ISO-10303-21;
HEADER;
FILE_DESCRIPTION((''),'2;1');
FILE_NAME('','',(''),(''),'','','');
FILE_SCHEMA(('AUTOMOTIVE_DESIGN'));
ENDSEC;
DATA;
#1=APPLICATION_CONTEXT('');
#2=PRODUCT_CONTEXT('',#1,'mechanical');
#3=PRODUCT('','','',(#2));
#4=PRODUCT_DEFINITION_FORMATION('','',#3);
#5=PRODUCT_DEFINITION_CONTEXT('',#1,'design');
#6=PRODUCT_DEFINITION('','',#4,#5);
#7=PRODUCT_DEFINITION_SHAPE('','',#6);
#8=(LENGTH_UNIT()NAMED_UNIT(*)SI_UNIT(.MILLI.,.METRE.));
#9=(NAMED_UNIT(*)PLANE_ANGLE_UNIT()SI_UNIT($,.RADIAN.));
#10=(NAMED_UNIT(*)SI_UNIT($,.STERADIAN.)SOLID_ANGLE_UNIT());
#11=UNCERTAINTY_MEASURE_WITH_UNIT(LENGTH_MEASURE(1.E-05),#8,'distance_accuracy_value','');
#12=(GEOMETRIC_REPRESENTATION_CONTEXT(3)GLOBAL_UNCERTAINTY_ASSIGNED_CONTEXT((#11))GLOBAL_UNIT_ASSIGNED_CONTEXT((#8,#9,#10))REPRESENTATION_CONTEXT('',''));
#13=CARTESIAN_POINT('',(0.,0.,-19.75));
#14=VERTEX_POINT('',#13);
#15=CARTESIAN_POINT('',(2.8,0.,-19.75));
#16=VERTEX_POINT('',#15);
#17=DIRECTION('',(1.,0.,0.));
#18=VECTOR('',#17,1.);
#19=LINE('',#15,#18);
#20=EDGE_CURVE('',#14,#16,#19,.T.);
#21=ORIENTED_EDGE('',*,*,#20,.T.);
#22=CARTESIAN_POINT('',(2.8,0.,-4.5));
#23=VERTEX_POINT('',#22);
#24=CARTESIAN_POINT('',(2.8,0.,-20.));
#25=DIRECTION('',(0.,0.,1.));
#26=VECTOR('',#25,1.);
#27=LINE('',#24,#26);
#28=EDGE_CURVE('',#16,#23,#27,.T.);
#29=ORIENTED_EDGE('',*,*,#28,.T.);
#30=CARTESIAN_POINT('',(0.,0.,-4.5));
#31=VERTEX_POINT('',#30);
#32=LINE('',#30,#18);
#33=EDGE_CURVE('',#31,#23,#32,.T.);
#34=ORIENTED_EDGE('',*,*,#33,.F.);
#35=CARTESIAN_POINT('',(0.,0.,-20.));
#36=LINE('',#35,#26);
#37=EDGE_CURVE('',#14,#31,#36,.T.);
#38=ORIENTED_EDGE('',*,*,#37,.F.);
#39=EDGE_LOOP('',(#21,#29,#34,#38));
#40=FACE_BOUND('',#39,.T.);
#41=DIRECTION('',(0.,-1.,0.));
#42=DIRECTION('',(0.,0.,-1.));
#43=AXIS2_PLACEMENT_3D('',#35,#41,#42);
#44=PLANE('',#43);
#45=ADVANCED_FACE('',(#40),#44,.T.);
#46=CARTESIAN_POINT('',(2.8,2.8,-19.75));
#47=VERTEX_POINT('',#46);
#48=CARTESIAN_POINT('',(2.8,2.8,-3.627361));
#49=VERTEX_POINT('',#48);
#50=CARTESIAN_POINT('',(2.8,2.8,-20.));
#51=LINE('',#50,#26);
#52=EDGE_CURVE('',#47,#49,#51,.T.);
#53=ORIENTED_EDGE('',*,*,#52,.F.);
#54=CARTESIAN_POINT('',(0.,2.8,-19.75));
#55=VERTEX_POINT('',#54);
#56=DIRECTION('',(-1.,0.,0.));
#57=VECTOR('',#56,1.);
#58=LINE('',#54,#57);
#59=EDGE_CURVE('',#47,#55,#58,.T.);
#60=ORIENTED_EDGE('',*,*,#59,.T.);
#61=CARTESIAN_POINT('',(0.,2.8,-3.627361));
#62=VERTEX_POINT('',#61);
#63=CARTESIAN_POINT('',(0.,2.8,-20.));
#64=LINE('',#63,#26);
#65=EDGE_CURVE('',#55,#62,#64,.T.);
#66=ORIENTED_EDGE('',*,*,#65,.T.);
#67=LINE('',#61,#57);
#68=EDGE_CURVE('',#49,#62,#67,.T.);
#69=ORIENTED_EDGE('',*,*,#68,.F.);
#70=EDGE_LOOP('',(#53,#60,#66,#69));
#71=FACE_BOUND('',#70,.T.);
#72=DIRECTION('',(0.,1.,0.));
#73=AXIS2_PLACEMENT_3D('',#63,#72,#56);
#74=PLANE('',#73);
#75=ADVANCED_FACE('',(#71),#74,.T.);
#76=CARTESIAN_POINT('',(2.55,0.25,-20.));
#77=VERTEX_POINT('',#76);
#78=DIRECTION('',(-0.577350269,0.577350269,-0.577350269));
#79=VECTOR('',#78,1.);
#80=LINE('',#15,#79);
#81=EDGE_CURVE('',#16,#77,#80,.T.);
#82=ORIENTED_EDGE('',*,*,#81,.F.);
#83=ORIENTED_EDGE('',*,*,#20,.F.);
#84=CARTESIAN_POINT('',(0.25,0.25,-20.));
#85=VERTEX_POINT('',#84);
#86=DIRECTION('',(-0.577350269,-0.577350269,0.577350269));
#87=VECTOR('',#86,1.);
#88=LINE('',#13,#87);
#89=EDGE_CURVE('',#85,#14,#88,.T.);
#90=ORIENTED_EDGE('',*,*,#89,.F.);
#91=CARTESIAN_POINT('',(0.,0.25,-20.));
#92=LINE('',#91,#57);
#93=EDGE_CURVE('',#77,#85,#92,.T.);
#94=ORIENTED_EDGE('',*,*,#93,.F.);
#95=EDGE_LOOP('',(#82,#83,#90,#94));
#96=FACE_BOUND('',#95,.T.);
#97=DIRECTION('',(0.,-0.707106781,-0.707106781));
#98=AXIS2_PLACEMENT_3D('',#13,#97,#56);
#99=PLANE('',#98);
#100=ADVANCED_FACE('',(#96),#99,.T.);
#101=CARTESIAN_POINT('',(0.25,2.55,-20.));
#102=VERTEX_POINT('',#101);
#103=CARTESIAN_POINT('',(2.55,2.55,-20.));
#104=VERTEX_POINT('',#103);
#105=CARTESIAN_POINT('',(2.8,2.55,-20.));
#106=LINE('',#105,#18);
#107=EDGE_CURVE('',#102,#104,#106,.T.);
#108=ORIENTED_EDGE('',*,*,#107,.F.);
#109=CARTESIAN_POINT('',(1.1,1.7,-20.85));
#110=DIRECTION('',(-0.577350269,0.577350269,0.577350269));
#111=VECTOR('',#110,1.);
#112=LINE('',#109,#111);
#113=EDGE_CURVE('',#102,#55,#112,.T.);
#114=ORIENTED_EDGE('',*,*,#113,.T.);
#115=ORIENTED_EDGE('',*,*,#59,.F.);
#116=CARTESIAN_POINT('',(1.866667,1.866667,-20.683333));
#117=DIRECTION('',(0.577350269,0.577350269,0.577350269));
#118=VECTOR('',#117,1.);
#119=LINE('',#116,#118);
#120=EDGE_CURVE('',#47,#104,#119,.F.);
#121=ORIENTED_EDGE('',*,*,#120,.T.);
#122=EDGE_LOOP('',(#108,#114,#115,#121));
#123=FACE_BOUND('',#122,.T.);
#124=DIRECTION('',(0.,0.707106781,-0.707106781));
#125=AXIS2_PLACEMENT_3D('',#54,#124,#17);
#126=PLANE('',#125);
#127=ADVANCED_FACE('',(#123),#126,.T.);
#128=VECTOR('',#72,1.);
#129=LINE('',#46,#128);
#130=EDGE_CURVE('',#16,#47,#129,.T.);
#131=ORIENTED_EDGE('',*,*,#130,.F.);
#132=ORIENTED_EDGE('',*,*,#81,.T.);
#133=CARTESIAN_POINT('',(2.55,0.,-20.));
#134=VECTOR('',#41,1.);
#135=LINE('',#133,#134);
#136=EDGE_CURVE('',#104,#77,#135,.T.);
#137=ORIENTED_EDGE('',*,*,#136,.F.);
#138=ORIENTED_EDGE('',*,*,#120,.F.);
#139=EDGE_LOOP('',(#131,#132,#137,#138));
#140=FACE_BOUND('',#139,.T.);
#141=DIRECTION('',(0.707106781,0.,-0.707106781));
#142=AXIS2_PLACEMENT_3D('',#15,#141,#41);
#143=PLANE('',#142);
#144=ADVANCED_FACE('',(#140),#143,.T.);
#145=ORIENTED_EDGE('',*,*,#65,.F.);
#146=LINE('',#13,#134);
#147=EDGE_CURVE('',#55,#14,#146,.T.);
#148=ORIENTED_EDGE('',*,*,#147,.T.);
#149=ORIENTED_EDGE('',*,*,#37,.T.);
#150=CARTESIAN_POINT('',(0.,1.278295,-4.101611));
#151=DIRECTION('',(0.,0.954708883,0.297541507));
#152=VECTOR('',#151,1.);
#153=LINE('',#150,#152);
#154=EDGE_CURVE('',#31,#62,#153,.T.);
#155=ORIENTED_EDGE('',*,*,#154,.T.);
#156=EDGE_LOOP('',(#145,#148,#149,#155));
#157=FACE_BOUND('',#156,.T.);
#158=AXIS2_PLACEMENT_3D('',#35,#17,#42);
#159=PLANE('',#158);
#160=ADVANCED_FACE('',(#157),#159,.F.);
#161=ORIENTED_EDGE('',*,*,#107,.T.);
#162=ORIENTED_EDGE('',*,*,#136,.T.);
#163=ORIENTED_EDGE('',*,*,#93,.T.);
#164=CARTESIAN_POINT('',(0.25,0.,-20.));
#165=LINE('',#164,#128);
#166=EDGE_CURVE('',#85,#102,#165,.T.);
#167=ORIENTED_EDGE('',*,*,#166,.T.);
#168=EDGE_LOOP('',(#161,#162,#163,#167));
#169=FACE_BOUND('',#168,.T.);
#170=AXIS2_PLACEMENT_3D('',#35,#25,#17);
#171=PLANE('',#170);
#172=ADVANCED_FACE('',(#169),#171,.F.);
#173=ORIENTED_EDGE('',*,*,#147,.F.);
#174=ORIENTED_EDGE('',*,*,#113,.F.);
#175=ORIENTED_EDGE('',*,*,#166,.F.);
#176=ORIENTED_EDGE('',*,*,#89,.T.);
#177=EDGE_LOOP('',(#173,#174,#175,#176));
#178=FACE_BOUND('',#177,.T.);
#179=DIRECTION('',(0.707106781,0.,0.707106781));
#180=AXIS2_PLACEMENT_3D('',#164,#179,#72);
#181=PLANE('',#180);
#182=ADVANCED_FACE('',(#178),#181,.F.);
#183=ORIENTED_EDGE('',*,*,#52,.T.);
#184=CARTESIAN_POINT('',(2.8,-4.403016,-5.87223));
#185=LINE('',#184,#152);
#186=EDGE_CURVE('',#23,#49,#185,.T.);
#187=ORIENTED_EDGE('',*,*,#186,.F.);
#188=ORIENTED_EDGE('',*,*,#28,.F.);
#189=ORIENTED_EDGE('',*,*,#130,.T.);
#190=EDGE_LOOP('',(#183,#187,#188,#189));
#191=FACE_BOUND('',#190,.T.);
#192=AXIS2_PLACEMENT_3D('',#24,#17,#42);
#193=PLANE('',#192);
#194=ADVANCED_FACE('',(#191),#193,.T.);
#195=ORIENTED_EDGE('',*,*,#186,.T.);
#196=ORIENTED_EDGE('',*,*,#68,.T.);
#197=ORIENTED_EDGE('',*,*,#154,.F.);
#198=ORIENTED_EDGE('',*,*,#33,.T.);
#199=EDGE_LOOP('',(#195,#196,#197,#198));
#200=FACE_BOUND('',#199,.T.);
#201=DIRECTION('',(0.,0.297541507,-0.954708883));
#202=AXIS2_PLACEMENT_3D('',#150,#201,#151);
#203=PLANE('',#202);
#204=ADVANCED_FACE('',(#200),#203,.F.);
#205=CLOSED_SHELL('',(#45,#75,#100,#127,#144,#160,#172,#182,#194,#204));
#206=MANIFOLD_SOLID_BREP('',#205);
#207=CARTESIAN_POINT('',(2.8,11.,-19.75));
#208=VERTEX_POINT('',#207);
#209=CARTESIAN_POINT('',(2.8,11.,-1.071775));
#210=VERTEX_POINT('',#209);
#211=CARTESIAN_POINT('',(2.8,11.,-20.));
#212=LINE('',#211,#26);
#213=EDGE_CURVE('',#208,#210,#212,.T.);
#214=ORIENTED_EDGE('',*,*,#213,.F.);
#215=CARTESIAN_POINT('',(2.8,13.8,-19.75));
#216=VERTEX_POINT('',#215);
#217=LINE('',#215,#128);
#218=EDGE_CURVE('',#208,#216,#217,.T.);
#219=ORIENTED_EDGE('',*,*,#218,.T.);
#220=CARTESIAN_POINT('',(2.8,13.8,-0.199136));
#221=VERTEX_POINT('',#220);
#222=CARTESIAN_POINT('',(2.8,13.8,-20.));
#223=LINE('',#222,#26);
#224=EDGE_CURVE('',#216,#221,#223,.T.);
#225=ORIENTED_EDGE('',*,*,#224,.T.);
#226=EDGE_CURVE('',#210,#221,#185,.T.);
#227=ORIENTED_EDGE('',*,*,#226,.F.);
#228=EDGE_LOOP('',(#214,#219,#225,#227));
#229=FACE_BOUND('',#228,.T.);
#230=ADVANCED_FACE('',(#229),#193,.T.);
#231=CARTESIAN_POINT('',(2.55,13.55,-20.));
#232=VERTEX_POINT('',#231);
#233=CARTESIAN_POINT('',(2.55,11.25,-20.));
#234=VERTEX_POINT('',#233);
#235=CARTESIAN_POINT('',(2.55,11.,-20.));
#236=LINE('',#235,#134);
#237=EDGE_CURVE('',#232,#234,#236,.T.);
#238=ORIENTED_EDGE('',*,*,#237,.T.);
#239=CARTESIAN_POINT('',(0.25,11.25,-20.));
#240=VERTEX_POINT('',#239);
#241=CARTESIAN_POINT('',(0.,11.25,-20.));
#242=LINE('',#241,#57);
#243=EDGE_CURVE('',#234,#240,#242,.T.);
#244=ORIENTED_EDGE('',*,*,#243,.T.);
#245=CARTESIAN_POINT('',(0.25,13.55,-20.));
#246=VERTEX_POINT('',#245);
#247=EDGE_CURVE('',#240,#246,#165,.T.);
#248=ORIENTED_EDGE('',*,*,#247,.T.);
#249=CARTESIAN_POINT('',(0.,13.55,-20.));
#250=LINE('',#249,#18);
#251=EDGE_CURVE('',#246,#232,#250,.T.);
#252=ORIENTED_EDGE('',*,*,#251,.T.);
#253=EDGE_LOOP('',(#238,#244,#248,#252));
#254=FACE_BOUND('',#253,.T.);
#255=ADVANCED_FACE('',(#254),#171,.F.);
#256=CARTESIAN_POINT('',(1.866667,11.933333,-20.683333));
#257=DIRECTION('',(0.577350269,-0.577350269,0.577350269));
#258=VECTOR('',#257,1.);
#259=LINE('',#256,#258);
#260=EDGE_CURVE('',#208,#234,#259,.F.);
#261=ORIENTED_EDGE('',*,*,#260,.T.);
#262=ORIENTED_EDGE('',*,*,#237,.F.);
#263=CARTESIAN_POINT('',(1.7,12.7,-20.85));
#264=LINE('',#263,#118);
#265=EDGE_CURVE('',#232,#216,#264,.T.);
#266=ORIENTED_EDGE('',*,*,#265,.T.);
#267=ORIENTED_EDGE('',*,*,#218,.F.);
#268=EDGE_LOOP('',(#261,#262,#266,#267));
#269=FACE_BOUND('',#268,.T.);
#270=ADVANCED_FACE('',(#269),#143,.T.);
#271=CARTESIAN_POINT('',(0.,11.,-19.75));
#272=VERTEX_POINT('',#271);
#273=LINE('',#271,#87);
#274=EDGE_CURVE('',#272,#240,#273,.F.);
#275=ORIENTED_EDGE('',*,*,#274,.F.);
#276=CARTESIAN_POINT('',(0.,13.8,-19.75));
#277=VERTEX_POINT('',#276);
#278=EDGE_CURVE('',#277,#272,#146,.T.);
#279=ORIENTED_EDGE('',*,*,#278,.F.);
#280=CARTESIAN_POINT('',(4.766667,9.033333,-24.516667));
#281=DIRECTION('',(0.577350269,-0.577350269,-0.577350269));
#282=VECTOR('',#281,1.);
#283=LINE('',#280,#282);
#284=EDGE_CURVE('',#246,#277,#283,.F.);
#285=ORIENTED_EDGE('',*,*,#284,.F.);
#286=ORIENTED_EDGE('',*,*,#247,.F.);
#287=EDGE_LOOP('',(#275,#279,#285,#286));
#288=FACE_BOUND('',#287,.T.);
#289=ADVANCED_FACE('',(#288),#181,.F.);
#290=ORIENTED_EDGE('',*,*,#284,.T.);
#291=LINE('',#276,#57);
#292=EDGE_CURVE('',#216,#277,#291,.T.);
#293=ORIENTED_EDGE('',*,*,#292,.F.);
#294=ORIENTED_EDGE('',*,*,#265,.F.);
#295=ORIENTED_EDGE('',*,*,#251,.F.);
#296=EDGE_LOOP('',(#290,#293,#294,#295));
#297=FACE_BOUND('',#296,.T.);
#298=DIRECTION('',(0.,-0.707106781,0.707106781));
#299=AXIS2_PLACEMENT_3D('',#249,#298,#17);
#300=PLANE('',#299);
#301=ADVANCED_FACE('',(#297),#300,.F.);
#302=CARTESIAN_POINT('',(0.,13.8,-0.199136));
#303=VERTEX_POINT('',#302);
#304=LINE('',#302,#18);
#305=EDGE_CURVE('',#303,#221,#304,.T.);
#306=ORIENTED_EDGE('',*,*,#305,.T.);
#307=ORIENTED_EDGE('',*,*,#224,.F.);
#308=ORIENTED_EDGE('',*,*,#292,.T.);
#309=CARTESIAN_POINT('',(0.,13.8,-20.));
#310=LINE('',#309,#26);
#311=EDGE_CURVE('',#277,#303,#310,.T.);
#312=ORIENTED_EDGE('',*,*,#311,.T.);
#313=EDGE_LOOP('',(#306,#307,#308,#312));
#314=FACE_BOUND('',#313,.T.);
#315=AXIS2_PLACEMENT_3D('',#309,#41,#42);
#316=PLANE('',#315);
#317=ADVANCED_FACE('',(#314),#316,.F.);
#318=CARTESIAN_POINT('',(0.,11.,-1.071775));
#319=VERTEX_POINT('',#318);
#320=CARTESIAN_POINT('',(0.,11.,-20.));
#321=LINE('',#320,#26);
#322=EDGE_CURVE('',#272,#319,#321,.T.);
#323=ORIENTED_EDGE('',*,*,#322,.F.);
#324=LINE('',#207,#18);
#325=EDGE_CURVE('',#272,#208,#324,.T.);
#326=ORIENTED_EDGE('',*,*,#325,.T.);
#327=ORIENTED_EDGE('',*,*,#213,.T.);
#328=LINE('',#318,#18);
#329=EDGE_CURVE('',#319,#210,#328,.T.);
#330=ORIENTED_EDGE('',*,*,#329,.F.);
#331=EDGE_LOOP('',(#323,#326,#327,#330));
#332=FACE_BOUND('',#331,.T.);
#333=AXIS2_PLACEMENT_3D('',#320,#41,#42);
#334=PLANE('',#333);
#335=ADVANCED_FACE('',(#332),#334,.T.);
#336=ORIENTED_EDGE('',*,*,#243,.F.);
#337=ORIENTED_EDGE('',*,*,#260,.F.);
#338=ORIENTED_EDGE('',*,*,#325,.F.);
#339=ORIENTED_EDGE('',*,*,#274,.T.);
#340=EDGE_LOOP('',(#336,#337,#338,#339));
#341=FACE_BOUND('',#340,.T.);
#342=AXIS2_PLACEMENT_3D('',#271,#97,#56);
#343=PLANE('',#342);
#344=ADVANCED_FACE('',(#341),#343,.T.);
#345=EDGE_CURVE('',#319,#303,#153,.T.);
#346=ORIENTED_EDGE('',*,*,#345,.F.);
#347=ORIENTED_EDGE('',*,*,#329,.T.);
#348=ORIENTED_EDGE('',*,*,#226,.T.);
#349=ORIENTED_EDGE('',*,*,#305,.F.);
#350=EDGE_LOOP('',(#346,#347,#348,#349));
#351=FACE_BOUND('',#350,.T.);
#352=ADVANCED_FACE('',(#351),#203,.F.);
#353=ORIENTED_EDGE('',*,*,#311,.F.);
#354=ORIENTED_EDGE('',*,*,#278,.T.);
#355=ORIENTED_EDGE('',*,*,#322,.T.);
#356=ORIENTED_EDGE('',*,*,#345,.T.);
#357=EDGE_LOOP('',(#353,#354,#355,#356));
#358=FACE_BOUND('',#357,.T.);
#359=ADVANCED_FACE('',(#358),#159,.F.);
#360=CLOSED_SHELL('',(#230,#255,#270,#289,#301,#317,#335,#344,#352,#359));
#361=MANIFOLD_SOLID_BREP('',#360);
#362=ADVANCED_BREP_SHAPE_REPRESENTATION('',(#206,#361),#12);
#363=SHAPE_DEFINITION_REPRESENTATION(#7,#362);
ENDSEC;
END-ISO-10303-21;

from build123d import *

# Parameters (mm, degrees)
SKETCH1_W               = 2.8
SKETCH1_H               = 2.8
BOSS_EXTRUDE1_DEPTH     = 20
BOSS_EXTRUDE1_2_DEPTH   = 20
CUT_EXTRUDE1_DEPTH      = 25.459762877
CUT_EXTRUDE1_DEPTH_BACK = 25.459762877
CHAMFER1_SIZE           = 0.25
CHAMFER2_SIZE           = 0.25


with BuildPart() as part:
    # Sketch1 → Boss-Extrude1 (new body)
    with BuildSketch(Plane.XY):
        with Locations((1.4, 12.4)):
            Rectangle(SKETCH1_W, SKETCH1_H)
    extrude(amount=-BOSS_EXTRUDE1_DEPTH)


with BuildPart() as body_2:
    # Sketch1 → Boss-Extrude1 2 (new body)
    with BuildSketch(Plane.XY):
        with Locations((1.4, 1.4)):
            Rectangle(SKETCH1_W, SKETCH1_H)
    extrude(amount=-BOSS_EXTRUDE1_2_DEPTH)


with BuildPart() as cut_extrude1_tool:
    # Sketch2 → Cut-Extrude1 (new, two sides: drawn at the far end of the back side and taken through both)
    with BuildSketch(Plane(origin=(2.8, 0, 0), x_dir=(0, 0, -1), z_dir=(1, 0, 0)).offset(-CUT_EXTRUDE1_DEPTH_BACK)):
        Polygon((0, 2.8), (3.627360986, 2.8), (-1.733135817, 20), (-2.733135817, 20), (-2.733135817, 0), (0, 0), align=None)
        Polygon((5.123313582, -2), (4.5, 0), (0, 0), (-2.733135817, 0), (-2.733135817, -2), align=None)
        Polygon((0, 0), (4.5, 0), (3.627360986, 2.8), (0, 2.8), align=None)
    extrude(amount=CUT_EXTRUDE1_DEPTH + CUT_EXTRUDE1_DEPTH_BACK)


with BuildPart() as part_1:
    add(part.part)

    # Cut-Extrude1: cut by cut_extrude1_tool
    add(cut_extrude1_tool.part, mode=Mode.SUBTRACT)

    # Chamfer2
    chamfer2_edges = [part_1.edges().sort_by_distance(p)[0] for p in [
        (2.8, 12.4, -20),
        (1.4, 13.8, -20),
        (0, 12.4, -20),
        (1.4, 11, -20),
    ]]
    chamfer(chamfer2_edges, length=CHAMFER2_SIZE)


with BuildPart() as body_2_1:
    add(body_2.part)

    # Cut-Extrude1: cut by cut_extrude1_tool
    add(cut_extrude1_tool.part, mode=Mode.SUBTRACT)

    # Chamfer1
    chamfer1_edges = [body_2_1.edges().sort_by_distance(p)[0] for p in [
        (1.4, 2.8, -20),
        (0, 1.4, -20),
        (1.4, 0, -20),
        (2.8, 1.4, -20),
    ]]
    chamfer(chamfer1_edges, length=CHAMFER1_SIZE)


solid = Compound([part_1.part, body_2_1.part])
